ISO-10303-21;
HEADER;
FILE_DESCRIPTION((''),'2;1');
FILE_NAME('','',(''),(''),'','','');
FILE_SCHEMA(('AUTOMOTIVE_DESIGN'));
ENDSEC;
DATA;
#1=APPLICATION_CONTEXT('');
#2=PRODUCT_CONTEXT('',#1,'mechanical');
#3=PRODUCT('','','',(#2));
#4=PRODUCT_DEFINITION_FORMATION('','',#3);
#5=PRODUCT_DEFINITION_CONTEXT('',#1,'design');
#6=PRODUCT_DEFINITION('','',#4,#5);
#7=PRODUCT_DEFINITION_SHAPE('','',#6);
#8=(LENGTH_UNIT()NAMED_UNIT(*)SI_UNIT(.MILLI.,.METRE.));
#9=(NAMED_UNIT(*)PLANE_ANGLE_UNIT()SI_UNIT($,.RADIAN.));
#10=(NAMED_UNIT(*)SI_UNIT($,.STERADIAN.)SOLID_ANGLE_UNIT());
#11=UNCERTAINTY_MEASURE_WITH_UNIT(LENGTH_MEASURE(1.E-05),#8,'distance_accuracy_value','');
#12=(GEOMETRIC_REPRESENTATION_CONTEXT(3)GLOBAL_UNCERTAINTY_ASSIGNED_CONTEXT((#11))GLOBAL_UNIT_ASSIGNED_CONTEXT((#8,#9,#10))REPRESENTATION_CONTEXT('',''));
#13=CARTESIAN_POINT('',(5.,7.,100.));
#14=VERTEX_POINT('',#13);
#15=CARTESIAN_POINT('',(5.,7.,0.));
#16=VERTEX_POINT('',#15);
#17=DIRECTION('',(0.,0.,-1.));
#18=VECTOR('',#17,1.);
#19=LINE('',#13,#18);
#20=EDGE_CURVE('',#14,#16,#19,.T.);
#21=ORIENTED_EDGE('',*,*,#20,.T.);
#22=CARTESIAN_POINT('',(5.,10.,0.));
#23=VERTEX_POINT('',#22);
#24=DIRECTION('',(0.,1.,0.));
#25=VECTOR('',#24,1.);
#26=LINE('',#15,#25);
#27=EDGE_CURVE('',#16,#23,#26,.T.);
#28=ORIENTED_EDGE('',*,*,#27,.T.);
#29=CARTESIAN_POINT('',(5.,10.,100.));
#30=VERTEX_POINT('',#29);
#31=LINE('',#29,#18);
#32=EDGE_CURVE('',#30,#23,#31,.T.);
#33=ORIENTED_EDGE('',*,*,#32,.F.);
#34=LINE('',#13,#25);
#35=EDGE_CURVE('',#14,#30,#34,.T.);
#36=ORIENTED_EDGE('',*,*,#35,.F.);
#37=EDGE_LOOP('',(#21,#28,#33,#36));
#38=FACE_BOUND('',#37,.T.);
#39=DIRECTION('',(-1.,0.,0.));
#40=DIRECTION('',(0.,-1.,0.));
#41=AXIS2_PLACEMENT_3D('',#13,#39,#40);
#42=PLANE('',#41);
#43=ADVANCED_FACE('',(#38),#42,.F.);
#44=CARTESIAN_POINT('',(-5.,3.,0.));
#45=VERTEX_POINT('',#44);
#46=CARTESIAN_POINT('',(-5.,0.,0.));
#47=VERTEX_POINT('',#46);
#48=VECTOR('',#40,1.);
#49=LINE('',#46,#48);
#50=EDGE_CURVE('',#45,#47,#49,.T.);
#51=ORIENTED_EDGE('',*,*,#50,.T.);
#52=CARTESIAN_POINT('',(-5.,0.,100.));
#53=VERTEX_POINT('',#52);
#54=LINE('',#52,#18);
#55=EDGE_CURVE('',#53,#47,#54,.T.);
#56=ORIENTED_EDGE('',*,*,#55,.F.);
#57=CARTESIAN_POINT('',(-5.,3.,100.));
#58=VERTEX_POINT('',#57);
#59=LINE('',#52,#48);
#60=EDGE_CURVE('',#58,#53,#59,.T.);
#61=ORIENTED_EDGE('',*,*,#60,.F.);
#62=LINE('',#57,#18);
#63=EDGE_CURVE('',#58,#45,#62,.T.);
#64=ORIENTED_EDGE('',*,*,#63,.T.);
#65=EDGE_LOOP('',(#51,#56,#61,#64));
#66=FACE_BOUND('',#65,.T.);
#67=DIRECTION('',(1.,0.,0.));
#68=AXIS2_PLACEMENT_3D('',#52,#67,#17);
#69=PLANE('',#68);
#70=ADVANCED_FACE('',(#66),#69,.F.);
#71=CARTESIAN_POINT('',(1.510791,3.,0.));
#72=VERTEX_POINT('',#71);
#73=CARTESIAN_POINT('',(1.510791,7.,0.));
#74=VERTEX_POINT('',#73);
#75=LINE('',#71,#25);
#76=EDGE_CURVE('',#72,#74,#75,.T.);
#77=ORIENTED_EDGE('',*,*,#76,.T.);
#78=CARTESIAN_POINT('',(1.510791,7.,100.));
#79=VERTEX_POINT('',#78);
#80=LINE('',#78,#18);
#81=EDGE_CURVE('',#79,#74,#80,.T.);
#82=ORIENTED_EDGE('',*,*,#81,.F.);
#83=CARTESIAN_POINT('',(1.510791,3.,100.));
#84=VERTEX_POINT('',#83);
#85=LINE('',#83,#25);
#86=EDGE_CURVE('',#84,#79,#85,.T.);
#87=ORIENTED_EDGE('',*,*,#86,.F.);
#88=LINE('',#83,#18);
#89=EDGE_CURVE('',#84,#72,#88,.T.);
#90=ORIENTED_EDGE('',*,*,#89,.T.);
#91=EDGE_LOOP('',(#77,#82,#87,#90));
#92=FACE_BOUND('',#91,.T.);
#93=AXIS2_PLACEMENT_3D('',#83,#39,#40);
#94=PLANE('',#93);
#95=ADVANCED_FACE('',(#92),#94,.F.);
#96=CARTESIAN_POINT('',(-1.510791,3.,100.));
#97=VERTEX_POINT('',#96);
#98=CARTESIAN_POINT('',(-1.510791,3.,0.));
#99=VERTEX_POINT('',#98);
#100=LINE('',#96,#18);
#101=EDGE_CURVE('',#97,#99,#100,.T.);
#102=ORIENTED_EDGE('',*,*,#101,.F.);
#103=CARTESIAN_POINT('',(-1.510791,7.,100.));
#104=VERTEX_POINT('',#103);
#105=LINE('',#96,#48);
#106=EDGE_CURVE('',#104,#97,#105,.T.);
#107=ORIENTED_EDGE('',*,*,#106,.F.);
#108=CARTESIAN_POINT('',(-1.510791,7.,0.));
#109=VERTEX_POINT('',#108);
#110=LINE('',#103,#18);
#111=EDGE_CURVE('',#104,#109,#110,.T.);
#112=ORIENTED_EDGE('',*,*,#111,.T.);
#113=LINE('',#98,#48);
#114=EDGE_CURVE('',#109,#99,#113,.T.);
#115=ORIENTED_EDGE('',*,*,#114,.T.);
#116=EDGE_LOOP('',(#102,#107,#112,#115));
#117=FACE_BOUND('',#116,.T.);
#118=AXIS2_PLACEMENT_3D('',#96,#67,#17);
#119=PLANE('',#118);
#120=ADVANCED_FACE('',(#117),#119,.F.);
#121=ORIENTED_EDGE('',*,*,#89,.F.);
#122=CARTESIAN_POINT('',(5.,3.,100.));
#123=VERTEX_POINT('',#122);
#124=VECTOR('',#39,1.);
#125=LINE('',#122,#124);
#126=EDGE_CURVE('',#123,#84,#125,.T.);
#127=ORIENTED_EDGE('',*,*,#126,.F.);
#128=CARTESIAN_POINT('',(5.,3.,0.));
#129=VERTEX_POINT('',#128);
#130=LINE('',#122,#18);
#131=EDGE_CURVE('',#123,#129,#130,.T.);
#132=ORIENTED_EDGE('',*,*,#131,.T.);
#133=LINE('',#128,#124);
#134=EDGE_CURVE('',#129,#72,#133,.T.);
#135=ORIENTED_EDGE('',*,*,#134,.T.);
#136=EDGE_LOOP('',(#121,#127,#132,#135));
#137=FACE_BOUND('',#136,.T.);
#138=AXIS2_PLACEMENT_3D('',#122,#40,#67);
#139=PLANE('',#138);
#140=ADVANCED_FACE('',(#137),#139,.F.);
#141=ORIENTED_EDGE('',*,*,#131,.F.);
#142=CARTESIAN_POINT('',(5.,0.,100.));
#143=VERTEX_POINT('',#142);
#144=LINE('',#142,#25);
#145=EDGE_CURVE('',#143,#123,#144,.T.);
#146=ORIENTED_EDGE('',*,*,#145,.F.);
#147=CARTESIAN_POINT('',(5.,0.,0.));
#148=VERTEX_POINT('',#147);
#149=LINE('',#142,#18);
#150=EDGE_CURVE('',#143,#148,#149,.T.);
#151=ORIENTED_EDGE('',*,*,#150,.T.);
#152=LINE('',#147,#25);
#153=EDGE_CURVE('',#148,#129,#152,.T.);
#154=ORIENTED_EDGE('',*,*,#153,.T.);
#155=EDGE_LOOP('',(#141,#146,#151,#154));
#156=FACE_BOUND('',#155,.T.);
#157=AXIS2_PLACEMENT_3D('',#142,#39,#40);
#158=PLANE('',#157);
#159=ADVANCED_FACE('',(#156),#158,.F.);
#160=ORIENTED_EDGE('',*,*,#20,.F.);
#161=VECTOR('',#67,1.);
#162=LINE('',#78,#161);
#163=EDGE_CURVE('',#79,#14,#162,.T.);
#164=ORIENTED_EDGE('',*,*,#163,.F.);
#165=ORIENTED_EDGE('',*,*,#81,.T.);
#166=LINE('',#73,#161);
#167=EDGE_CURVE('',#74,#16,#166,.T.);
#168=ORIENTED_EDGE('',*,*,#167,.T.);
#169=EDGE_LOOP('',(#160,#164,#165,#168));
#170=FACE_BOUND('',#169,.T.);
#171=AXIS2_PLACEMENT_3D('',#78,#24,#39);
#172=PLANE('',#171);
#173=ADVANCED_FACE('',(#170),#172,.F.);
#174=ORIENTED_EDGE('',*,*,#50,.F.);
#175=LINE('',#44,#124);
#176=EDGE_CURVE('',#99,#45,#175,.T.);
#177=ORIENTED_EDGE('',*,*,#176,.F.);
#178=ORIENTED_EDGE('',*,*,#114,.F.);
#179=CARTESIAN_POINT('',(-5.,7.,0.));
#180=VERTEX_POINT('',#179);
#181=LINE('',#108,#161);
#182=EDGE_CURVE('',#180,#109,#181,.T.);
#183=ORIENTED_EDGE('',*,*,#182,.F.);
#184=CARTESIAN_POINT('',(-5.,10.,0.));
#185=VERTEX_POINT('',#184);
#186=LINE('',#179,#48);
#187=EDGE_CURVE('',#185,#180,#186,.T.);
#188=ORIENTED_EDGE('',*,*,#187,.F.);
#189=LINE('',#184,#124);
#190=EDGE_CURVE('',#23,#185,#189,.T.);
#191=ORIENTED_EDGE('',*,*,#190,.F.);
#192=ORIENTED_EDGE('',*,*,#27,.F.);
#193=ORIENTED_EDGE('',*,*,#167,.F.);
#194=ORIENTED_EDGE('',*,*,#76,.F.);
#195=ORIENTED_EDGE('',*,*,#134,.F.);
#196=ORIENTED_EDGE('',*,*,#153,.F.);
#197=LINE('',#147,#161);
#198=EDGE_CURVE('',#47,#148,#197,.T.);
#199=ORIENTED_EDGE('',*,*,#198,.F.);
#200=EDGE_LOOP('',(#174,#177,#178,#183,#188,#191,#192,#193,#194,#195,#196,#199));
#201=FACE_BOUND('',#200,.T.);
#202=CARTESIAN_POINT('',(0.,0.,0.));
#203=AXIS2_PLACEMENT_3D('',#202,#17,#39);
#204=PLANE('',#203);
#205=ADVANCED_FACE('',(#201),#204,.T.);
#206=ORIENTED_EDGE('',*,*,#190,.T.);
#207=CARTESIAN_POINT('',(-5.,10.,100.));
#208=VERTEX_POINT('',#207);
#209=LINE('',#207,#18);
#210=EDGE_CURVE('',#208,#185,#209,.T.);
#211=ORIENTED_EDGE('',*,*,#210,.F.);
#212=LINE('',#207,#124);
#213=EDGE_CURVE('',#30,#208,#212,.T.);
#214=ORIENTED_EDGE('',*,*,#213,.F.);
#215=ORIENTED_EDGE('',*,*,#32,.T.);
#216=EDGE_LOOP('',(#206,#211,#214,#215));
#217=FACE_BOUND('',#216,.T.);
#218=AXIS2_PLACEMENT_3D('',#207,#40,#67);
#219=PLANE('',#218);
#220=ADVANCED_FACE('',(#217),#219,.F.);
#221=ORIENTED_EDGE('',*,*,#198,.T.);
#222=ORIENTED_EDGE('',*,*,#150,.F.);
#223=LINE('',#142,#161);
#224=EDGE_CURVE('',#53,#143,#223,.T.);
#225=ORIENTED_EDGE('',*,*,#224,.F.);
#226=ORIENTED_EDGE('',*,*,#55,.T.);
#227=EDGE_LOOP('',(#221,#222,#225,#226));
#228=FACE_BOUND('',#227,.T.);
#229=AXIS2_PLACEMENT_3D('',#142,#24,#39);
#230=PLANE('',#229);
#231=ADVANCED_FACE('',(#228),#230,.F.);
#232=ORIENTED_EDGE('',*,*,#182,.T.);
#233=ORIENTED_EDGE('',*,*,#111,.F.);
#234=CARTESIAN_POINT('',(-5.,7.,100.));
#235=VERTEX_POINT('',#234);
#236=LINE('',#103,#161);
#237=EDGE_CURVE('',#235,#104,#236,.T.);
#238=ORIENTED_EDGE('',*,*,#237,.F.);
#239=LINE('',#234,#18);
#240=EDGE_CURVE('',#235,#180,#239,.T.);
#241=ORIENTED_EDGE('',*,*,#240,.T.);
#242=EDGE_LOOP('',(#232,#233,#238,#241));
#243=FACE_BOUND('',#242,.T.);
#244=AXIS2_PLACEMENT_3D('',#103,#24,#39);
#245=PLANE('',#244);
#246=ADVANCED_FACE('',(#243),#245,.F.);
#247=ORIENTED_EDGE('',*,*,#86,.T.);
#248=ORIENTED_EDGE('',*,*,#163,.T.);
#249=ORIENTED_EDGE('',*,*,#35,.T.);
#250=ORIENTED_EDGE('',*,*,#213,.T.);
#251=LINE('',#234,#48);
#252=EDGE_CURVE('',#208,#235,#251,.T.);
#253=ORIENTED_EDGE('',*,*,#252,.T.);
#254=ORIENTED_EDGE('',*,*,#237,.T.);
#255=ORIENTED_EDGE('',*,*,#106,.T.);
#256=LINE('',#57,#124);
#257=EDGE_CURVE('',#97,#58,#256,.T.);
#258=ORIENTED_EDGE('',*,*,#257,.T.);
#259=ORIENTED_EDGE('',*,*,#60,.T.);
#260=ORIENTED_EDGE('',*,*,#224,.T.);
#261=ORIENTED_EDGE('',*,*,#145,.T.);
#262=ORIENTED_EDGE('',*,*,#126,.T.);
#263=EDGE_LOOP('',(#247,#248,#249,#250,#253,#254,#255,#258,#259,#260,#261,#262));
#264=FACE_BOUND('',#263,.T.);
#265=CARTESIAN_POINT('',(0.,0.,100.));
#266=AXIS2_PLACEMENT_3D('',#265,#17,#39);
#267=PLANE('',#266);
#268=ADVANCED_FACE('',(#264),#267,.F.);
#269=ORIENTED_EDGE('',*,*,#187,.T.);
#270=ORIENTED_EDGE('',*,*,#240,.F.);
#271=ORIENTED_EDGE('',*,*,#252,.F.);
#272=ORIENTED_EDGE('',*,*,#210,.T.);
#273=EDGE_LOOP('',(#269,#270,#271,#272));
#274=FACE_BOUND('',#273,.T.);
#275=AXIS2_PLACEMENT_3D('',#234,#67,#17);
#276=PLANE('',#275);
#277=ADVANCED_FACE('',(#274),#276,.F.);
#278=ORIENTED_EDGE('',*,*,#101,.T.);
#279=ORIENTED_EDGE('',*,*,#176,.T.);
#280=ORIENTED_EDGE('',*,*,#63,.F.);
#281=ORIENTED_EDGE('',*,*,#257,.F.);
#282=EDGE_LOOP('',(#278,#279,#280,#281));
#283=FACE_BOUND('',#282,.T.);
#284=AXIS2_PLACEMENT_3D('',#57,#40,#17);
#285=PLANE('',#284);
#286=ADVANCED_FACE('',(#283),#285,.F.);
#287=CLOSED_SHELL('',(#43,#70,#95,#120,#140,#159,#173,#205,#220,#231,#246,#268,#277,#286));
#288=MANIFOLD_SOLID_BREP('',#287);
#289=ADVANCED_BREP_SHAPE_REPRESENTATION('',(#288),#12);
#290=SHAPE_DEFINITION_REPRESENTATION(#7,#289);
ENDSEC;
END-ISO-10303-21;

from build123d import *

# Parameters (mm, degrees)
BOSS_EXTRUDE1_DEPTH = 100


with BuildPart() as part:
    # Sketch1 → Boss-Extrude1 (new body)
    with BuildSketch(Plane.XY):
        Polygon((5, 0), (-5, 0), (-5, 3), (-1.510791367, 3), (-1.510791367, 7), (-5, 7), (-5, 10), (5, 10), (5, 7), (1.510791367, 7), (1.510791367, 3), (5, 3), align=None)
    extrude(amount=BOSS_EXTRUDE1_DEPTH)


solid = part.part
